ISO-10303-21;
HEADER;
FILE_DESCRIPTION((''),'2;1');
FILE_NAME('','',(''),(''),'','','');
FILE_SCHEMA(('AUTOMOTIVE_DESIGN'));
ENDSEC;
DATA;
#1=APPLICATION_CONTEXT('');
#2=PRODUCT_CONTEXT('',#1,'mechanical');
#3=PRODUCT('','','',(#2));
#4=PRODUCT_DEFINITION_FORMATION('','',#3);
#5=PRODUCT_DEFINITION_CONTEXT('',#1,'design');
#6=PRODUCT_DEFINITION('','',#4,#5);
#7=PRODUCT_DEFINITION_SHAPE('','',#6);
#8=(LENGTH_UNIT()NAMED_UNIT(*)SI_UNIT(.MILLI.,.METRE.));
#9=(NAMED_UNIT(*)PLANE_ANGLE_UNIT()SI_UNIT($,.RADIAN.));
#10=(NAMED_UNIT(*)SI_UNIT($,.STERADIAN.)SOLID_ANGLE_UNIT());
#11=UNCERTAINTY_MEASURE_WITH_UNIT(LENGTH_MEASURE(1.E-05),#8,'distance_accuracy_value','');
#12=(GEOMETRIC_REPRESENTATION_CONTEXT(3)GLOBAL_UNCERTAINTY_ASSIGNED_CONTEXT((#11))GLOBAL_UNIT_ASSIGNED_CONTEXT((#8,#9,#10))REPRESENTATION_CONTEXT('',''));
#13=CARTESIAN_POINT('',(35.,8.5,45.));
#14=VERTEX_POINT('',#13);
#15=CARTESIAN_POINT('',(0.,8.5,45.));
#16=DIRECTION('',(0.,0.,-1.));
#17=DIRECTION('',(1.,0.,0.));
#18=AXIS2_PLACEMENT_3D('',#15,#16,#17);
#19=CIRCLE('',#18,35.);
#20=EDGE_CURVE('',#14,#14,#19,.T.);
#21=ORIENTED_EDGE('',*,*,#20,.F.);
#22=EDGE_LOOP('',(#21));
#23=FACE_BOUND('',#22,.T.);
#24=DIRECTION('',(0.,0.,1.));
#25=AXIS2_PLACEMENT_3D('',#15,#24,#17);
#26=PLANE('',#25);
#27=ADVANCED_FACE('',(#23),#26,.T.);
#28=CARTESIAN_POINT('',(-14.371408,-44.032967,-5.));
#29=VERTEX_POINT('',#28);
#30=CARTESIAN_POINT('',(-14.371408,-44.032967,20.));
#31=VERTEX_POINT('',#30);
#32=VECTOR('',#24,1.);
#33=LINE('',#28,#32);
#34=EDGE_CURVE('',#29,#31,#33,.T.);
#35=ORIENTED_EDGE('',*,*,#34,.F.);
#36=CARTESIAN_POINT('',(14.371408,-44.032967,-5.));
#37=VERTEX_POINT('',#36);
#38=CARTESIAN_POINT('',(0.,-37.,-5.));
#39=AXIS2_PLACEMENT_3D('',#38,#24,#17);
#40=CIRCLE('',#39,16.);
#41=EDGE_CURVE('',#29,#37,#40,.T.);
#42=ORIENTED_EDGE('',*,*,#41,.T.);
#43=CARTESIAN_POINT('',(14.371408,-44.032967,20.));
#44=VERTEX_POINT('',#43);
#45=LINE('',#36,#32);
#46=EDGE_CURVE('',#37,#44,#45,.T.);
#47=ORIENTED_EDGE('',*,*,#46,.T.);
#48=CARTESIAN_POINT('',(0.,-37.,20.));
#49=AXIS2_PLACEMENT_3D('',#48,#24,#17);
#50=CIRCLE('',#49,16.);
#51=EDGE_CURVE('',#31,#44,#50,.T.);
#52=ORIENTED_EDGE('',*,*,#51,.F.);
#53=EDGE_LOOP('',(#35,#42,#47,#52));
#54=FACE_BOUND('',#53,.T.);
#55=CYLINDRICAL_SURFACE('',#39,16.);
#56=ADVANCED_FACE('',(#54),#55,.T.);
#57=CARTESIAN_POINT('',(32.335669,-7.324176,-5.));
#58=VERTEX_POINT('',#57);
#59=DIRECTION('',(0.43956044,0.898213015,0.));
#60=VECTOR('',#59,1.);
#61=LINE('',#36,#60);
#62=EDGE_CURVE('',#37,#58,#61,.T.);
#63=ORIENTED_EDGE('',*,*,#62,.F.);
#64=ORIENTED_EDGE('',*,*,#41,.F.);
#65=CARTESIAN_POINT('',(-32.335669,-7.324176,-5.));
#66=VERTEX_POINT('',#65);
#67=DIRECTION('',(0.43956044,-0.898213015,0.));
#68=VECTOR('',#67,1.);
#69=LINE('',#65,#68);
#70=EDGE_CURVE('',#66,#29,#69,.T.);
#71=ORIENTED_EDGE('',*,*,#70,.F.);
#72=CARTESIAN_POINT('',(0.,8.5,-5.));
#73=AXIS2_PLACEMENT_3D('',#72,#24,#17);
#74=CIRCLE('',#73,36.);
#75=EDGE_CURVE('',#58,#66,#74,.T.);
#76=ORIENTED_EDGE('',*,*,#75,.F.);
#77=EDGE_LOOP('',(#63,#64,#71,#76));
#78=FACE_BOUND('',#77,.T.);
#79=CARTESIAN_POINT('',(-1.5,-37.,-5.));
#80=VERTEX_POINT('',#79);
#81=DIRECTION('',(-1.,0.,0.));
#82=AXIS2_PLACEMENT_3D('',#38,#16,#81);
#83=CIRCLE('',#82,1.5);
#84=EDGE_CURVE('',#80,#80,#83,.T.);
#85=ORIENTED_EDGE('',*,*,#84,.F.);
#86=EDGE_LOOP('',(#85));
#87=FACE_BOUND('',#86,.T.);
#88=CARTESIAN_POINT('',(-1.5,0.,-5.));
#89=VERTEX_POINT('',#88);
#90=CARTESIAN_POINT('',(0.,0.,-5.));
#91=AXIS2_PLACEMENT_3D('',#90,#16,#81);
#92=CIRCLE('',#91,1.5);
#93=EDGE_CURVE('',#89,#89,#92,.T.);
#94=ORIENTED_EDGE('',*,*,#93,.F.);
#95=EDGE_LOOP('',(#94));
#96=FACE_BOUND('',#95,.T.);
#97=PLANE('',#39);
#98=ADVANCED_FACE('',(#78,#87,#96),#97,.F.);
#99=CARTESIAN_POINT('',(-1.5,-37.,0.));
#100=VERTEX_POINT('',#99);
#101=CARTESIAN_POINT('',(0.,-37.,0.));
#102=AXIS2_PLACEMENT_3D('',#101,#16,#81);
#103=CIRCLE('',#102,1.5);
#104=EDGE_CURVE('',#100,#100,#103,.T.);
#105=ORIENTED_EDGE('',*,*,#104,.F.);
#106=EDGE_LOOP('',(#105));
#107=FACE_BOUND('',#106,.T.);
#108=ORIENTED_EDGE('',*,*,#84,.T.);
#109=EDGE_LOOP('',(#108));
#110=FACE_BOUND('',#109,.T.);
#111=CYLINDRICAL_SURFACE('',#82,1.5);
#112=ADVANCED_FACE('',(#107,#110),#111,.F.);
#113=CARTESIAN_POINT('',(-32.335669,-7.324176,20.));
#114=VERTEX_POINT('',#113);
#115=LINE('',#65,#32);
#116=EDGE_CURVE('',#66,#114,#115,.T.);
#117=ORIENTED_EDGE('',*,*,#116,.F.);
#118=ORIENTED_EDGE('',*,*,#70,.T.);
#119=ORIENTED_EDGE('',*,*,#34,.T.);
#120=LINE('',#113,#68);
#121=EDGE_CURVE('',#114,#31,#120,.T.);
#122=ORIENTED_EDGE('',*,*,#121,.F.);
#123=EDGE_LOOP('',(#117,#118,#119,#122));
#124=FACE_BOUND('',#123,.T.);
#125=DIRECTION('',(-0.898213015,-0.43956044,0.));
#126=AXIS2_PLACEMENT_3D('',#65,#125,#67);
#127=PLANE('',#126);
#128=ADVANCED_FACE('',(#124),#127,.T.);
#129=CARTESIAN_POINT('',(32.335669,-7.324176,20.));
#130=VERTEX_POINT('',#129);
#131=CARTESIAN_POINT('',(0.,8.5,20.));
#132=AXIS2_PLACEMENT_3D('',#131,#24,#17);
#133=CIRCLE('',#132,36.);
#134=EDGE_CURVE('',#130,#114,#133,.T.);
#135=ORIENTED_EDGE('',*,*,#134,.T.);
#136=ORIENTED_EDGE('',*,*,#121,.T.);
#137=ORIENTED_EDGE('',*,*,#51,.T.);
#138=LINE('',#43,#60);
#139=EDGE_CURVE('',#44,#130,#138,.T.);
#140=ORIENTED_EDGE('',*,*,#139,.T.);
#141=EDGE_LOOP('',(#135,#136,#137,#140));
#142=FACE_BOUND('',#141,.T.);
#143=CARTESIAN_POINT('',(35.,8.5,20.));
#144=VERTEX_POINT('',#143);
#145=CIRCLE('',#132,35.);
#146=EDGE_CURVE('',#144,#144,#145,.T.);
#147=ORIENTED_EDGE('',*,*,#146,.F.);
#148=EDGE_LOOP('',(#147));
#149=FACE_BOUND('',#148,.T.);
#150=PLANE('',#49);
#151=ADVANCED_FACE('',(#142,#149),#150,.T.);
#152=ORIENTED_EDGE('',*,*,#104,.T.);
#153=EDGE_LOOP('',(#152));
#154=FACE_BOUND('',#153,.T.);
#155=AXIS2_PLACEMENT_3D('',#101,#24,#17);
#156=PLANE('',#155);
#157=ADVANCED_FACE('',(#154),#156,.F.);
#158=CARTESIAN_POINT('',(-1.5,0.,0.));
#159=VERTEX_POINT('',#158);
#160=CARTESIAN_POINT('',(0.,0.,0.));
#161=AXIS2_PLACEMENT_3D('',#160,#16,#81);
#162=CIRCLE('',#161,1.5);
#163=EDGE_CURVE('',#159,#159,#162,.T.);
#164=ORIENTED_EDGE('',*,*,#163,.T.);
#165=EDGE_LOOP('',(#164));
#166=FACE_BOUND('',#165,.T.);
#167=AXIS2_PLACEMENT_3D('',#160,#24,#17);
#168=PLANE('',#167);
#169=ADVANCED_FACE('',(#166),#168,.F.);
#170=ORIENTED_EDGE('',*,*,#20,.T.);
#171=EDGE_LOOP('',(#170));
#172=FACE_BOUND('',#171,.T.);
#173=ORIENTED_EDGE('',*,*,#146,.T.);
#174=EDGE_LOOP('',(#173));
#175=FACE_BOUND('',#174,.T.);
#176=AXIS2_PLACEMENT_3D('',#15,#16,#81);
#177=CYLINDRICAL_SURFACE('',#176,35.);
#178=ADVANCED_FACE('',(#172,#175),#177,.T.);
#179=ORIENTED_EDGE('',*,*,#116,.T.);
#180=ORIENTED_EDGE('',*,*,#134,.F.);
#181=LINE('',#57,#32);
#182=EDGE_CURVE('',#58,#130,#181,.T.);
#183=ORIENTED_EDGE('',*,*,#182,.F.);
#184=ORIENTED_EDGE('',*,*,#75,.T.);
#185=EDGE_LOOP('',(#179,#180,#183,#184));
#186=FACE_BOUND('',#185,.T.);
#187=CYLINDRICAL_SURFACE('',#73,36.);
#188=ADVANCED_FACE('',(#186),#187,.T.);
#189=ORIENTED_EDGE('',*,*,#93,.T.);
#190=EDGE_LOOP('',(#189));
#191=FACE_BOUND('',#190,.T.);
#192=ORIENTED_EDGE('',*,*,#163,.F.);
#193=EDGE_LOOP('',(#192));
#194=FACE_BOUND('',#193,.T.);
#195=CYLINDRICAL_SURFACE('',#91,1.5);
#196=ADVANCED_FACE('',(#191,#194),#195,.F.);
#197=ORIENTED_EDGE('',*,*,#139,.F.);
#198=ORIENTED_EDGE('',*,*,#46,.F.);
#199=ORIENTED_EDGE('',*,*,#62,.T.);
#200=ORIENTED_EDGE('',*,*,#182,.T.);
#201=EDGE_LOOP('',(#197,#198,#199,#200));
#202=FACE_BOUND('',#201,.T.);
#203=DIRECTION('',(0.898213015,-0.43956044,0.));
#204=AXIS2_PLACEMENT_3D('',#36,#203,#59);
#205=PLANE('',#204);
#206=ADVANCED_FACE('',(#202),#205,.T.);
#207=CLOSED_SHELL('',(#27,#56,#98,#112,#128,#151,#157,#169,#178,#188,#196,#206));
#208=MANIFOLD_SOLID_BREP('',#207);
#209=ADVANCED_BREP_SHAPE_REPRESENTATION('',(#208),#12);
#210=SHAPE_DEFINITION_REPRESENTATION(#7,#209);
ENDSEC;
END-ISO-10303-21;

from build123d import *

# Parameters (mm, degrees)
EXTRUDE_1_DEPTH           = 25
SKETCH_2_R                = 35
EXTRUDE_2_DEPTH           = 25
HOLE_WIZARD_3_0_3_1_D     = 3
HOLE_WIZARD_3_0_3_1_DEPTH = 5


with BuildPart() as part:
    # 草图1 → 凸台-拉伸1 (new body)
    with BuildSketch(Plane.XY.offset(20)):
        with BuildLine():
            Line((14.371408237, -44.032967033), (32.335668533, -7.324175824))
            ThreePointArc((32.335668533, -7.324175824), (0, 44.5), (-32.335668533, -7.324175824))
            Line((-32.335668533, -7.324175824), (-14.371408237, -44.032967033))
            ThreePointArc((-14.371408237, -44.032967033), (0, -53), (14.371408237, -44.032967033))
        make_face()
    extrude(amount=-EXTRUDE_1_DEPTH)

    # 草图2 → 凸台-拉伸2 (add)
    with BuildSketch(Plane(origin=(0, 0, 20), x_dir=(-1, 0, 0), z_dir=(0, 0, -1))):
        with Locations(Location((0, 8.5, 0), (0, 0, 180))):
            Circle(SKETCH_2_R)
    extrude(amount=-EXTRUDE_2_DEPTH)

    # Ø3.0 (3) 直径孔1
    with Locations(Plane(origin=(0, 0, -5), x_dir=(-1, 0, 0), z_dir=(0, 0, -1))):
        with Locations((0, 0), (0, -37)):
            Hole(HOLE_WIZARD_3_0_3_1_D / 2, depth=HOLE_WIZARD_3_0_3_1_DEPTH)


solid = part.part
